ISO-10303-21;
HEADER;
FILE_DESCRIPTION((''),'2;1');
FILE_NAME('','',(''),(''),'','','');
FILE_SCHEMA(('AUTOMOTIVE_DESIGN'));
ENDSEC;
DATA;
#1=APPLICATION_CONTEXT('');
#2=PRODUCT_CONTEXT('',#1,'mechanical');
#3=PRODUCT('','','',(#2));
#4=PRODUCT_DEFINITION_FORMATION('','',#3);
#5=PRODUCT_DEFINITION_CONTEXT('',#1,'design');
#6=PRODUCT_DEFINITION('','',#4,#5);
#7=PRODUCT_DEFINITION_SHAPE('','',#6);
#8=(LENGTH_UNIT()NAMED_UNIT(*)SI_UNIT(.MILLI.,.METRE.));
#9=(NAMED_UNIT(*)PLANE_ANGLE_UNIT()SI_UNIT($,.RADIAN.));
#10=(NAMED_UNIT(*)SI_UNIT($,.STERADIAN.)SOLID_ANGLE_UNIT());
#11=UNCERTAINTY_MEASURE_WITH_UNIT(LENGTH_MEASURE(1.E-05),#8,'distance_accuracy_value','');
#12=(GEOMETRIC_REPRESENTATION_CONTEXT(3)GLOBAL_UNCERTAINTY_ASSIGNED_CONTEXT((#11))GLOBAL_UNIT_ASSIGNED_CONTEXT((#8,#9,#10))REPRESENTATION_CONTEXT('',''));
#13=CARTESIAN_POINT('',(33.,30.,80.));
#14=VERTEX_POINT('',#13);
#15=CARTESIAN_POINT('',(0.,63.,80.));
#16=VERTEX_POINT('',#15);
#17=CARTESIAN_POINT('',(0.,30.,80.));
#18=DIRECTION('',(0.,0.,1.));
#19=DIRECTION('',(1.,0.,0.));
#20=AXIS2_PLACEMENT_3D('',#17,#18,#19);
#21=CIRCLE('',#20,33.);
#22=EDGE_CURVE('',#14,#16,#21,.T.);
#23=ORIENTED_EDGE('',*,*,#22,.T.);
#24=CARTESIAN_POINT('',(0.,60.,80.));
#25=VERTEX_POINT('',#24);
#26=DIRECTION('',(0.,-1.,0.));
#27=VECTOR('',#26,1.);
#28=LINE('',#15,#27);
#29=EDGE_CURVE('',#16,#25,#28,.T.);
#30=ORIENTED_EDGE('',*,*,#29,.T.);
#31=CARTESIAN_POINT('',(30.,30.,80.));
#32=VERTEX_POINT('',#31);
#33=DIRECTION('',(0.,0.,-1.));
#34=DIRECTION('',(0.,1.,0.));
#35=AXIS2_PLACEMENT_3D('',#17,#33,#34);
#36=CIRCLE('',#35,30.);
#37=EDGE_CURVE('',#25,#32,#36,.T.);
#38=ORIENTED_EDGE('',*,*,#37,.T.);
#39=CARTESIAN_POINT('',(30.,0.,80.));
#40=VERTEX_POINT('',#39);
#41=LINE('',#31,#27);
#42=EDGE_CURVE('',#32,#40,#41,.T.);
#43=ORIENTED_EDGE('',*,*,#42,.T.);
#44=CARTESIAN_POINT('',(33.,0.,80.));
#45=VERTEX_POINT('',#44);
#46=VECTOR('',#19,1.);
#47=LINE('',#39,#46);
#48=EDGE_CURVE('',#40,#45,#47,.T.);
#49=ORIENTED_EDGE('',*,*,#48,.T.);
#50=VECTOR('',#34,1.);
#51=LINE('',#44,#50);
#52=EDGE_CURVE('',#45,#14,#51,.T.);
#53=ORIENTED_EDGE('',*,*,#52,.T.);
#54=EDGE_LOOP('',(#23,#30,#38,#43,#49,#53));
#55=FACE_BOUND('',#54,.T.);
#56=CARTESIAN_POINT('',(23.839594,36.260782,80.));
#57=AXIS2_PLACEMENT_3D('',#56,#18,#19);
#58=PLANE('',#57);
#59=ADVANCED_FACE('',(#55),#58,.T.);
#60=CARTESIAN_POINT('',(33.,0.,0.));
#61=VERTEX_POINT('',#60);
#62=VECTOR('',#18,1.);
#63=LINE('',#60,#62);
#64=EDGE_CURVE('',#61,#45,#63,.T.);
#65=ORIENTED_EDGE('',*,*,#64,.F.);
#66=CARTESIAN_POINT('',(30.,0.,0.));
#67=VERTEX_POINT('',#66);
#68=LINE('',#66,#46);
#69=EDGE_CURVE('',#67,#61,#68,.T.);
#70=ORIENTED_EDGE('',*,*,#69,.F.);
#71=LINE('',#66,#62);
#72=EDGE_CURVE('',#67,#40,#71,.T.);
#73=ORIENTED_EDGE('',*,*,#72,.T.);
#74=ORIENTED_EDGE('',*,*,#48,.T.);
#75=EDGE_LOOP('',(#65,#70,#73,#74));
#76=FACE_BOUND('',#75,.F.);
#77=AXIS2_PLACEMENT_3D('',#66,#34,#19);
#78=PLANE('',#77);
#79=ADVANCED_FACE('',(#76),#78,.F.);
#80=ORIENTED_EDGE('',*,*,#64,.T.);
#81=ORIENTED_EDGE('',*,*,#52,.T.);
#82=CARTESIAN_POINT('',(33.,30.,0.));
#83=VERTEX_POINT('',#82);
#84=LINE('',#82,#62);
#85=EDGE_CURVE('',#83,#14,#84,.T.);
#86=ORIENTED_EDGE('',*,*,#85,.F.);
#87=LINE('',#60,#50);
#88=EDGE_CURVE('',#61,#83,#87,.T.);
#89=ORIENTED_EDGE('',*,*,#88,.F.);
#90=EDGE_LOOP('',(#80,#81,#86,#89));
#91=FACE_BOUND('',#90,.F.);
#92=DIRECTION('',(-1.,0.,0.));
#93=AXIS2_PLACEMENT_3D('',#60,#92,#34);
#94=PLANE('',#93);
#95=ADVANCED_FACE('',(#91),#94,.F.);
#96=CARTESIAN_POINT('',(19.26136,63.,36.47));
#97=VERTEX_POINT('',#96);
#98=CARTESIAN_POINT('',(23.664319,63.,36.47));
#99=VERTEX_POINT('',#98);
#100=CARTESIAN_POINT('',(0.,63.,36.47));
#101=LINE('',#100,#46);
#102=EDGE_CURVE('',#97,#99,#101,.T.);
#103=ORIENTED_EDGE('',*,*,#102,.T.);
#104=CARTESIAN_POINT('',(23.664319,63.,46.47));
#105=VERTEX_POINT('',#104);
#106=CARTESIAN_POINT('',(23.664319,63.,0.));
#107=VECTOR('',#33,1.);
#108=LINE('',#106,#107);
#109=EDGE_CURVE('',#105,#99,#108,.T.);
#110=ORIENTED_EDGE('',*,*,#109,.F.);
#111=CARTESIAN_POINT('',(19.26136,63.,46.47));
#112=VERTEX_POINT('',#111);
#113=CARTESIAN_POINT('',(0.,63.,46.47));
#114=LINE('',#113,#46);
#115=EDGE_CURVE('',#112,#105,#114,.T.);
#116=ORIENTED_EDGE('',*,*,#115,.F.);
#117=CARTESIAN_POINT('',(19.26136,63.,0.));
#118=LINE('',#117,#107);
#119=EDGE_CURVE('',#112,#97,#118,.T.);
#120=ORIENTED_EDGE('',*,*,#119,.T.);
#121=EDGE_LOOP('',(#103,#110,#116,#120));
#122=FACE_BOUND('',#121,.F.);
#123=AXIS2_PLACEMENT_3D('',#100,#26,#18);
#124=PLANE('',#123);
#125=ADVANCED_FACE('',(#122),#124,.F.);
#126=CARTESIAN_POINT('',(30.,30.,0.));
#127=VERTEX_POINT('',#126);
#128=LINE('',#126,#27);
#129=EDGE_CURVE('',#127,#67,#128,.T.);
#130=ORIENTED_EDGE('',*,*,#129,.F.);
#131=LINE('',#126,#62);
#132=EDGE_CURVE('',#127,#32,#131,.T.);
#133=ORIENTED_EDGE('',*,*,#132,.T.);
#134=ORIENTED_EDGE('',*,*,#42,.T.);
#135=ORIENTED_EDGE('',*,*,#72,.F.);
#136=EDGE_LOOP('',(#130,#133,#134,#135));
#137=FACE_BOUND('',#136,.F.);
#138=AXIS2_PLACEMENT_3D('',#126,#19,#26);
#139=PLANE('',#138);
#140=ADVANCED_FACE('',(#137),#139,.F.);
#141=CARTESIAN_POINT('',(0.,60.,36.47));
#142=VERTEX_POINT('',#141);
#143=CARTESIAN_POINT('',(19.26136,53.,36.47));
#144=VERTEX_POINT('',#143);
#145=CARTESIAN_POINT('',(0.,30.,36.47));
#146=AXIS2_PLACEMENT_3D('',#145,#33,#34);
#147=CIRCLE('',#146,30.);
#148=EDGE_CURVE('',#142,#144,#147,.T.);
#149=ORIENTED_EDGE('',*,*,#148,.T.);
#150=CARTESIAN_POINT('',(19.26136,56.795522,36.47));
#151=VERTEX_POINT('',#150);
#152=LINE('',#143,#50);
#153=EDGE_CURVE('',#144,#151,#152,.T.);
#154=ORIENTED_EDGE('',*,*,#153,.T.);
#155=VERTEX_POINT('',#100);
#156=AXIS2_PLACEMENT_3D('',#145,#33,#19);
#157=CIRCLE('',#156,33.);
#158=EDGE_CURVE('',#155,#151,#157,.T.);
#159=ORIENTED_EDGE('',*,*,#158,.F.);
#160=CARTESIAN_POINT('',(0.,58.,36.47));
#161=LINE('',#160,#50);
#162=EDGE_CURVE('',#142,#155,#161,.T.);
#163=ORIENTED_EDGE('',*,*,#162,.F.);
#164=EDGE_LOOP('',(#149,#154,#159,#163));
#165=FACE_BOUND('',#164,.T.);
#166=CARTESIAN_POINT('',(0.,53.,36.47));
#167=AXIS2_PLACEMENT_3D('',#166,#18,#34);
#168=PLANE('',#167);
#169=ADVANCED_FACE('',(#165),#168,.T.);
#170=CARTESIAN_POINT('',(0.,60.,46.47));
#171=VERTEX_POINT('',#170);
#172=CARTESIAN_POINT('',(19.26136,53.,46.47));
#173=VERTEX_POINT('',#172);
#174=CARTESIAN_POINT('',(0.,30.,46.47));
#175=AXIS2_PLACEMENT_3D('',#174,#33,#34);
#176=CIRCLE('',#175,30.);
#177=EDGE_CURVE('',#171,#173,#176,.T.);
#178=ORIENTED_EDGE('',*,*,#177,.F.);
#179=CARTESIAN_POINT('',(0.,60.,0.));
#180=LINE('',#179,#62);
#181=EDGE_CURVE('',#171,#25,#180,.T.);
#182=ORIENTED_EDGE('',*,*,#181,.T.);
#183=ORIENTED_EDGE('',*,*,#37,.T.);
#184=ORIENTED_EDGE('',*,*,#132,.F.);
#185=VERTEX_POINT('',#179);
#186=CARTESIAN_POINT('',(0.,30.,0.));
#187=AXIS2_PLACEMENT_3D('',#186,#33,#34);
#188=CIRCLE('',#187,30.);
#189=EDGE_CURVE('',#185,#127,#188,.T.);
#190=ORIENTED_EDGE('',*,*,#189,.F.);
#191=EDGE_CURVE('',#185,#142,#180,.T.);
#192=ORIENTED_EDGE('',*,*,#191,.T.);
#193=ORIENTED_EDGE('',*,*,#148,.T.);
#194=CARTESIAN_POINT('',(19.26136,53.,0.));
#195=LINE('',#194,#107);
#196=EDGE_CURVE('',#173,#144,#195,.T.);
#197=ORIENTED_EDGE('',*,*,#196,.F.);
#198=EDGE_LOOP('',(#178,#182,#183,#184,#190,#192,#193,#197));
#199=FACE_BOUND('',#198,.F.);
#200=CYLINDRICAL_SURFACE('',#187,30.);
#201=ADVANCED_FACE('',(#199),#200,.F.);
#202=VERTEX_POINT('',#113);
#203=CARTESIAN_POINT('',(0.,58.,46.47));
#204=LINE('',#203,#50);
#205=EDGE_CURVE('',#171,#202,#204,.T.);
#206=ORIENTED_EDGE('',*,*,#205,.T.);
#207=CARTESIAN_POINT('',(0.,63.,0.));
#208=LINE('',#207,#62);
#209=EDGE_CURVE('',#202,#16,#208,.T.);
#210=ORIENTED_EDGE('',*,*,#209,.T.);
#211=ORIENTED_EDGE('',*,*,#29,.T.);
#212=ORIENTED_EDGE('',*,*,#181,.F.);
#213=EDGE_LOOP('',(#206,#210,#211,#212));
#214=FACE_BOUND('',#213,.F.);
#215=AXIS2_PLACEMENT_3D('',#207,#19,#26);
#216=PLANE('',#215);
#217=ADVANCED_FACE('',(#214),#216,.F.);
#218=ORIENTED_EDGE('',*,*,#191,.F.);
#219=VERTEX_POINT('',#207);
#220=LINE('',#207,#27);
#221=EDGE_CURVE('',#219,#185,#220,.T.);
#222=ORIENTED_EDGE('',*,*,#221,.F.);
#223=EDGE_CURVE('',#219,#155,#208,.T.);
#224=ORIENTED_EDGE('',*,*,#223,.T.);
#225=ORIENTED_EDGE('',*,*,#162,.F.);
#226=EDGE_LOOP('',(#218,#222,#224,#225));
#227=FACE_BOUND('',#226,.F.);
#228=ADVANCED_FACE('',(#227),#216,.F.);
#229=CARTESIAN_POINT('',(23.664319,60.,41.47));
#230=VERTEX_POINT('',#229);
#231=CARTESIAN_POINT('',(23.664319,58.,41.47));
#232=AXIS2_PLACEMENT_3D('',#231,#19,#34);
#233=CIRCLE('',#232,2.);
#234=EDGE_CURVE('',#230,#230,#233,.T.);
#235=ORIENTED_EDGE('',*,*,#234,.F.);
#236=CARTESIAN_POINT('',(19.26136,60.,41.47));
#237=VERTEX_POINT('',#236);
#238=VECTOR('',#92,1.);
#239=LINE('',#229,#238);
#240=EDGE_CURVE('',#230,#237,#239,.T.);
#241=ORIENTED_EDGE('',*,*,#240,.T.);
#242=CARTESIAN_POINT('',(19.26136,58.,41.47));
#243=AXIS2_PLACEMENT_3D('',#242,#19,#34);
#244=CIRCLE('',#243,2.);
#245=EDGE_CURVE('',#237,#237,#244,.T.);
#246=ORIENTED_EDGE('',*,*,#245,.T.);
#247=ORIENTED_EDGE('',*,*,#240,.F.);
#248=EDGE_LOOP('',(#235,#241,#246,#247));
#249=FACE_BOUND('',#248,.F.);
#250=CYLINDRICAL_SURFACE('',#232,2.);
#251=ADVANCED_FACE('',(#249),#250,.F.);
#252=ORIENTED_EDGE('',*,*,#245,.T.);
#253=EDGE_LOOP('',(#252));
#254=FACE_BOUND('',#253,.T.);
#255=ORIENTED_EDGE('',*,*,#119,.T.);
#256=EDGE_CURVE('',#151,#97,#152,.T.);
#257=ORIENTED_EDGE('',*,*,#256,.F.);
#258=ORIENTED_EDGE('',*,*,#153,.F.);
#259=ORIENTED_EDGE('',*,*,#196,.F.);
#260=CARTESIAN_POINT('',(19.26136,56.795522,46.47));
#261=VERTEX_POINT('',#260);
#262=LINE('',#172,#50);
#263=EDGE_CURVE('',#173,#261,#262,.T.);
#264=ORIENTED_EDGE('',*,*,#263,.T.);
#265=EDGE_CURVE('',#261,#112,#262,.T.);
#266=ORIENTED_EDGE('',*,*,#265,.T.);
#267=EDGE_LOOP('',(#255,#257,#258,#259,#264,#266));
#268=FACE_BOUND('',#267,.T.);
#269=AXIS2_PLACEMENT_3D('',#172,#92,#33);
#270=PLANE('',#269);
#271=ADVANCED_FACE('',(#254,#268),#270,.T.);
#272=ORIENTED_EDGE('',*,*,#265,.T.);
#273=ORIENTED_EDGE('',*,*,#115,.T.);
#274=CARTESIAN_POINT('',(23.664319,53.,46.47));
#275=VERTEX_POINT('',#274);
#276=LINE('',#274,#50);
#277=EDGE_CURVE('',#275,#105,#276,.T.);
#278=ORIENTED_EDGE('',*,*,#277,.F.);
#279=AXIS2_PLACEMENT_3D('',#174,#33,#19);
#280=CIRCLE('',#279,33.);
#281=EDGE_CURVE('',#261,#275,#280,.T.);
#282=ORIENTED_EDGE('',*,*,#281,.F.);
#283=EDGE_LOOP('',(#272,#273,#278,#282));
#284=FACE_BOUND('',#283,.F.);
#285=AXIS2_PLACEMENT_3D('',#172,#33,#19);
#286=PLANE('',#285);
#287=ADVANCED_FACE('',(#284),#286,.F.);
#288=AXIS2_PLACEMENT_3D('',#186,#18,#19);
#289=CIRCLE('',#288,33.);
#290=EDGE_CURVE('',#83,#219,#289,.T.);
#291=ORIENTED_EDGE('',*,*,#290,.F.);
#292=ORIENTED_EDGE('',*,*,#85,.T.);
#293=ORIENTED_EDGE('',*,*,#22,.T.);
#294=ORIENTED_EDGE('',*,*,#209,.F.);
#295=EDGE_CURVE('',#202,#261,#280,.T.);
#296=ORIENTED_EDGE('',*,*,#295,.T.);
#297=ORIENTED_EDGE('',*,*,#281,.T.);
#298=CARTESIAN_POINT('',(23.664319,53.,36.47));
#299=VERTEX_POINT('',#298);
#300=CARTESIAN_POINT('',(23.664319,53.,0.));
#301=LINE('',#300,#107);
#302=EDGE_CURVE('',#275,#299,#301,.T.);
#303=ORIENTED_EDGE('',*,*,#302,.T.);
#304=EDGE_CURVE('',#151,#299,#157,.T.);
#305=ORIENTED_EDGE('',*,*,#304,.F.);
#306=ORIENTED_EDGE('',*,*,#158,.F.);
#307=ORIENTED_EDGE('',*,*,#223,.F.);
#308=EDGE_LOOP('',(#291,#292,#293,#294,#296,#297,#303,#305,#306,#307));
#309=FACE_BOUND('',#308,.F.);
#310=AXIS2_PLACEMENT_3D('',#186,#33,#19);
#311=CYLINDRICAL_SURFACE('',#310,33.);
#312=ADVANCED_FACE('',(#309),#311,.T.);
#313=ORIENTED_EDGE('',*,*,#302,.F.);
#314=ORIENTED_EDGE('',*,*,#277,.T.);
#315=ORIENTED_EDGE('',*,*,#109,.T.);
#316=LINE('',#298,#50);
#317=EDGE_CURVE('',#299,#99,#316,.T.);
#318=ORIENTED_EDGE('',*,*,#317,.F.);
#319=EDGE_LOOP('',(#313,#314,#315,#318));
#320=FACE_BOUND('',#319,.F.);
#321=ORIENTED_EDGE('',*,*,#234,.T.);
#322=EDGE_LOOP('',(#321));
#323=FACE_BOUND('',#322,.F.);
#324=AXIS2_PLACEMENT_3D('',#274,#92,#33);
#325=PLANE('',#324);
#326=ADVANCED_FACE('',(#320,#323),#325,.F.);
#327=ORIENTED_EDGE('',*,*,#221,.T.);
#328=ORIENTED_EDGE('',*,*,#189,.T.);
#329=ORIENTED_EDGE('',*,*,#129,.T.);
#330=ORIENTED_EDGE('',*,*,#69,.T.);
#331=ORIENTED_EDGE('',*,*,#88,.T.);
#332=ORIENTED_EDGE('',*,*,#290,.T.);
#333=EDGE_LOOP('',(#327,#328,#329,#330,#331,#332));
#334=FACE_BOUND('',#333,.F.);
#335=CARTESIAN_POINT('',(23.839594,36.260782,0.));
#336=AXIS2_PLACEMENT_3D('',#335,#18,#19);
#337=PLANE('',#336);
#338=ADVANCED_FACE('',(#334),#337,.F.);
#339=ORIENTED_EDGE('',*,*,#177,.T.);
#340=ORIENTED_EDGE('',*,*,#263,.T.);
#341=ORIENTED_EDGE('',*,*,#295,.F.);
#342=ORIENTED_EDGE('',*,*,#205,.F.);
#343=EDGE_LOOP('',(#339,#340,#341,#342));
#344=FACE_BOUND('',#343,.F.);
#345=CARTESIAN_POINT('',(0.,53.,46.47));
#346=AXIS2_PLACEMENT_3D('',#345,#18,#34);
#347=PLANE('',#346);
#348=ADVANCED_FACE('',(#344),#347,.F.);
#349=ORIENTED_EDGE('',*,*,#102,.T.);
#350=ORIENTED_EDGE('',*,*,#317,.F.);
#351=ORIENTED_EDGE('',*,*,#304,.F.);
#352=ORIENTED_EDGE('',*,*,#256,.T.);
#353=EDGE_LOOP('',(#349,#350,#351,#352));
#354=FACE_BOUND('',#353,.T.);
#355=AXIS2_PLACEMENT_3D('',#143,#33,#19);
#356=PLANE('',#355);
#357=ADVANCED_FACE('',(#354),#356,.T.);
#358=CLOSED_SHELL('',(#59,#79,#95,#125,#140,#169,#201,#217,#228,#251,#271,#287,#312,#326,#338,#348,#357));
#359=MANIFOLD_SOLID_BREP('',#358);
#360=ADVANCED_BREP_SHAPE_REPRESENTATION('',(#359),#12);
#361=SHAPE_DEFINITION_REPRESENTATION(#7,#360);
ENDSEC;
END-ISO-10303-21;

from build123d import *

# Parameters (mm, degrees)
F1_DEPTH = 80
F2_W     = 10
F2_H     = 10
F3_DEPTH = 62.75
F4_DEPTH = 10
F5_R     = 2
F6_DEPTH = 25


with BuildPart() as f1:
    # F0 (on Top) → F1 (new body)
    with BuildSketch(Plane.XY):
        with BuildLine():
            ThreePointArc((0, 60), (21.2132034356, 51.2132034356), (30, 30))
            Line((30, 30), (30, 0))
            Line((30, 0), (33, 0))
            Line((33, 0), (33, 30))
            ThreePointArc((33, 30), (23.3345237792, 53.3345237792), (0, 63))
            Line((0, 63), (0, 60))
        make_face()
    extrude(amount=F1_DEPTH)

    # F2 (on Right) → F3 (cut)
    with BuildSketch(Plane.YZ):
        with Locations((58, 41.47)):
            Rectangle(F2_W, F2_H)
    extrude(amount=F3_DEPTH, mode=Mode.SUBTRACT)

    # F4 (add): a face of the model
    f4_faces = [f1.faces().sort_by_distance(p)[0] for p in [
        (21.4628397083, 53, 41.47),
    ]]
    extrude(f4_faces, amount=F4_DEPTH)

    # F5 (on face) → F6 (cut)
    with BuildSketch(Plane.YZ.offset(23.6643191324)):
        with Locations((58, 41.47)):
            Circle(F5_R)
    extrude(amount=-F6_DEPTH, mode=Mode.SUBTRACT)


solid = f1.part
